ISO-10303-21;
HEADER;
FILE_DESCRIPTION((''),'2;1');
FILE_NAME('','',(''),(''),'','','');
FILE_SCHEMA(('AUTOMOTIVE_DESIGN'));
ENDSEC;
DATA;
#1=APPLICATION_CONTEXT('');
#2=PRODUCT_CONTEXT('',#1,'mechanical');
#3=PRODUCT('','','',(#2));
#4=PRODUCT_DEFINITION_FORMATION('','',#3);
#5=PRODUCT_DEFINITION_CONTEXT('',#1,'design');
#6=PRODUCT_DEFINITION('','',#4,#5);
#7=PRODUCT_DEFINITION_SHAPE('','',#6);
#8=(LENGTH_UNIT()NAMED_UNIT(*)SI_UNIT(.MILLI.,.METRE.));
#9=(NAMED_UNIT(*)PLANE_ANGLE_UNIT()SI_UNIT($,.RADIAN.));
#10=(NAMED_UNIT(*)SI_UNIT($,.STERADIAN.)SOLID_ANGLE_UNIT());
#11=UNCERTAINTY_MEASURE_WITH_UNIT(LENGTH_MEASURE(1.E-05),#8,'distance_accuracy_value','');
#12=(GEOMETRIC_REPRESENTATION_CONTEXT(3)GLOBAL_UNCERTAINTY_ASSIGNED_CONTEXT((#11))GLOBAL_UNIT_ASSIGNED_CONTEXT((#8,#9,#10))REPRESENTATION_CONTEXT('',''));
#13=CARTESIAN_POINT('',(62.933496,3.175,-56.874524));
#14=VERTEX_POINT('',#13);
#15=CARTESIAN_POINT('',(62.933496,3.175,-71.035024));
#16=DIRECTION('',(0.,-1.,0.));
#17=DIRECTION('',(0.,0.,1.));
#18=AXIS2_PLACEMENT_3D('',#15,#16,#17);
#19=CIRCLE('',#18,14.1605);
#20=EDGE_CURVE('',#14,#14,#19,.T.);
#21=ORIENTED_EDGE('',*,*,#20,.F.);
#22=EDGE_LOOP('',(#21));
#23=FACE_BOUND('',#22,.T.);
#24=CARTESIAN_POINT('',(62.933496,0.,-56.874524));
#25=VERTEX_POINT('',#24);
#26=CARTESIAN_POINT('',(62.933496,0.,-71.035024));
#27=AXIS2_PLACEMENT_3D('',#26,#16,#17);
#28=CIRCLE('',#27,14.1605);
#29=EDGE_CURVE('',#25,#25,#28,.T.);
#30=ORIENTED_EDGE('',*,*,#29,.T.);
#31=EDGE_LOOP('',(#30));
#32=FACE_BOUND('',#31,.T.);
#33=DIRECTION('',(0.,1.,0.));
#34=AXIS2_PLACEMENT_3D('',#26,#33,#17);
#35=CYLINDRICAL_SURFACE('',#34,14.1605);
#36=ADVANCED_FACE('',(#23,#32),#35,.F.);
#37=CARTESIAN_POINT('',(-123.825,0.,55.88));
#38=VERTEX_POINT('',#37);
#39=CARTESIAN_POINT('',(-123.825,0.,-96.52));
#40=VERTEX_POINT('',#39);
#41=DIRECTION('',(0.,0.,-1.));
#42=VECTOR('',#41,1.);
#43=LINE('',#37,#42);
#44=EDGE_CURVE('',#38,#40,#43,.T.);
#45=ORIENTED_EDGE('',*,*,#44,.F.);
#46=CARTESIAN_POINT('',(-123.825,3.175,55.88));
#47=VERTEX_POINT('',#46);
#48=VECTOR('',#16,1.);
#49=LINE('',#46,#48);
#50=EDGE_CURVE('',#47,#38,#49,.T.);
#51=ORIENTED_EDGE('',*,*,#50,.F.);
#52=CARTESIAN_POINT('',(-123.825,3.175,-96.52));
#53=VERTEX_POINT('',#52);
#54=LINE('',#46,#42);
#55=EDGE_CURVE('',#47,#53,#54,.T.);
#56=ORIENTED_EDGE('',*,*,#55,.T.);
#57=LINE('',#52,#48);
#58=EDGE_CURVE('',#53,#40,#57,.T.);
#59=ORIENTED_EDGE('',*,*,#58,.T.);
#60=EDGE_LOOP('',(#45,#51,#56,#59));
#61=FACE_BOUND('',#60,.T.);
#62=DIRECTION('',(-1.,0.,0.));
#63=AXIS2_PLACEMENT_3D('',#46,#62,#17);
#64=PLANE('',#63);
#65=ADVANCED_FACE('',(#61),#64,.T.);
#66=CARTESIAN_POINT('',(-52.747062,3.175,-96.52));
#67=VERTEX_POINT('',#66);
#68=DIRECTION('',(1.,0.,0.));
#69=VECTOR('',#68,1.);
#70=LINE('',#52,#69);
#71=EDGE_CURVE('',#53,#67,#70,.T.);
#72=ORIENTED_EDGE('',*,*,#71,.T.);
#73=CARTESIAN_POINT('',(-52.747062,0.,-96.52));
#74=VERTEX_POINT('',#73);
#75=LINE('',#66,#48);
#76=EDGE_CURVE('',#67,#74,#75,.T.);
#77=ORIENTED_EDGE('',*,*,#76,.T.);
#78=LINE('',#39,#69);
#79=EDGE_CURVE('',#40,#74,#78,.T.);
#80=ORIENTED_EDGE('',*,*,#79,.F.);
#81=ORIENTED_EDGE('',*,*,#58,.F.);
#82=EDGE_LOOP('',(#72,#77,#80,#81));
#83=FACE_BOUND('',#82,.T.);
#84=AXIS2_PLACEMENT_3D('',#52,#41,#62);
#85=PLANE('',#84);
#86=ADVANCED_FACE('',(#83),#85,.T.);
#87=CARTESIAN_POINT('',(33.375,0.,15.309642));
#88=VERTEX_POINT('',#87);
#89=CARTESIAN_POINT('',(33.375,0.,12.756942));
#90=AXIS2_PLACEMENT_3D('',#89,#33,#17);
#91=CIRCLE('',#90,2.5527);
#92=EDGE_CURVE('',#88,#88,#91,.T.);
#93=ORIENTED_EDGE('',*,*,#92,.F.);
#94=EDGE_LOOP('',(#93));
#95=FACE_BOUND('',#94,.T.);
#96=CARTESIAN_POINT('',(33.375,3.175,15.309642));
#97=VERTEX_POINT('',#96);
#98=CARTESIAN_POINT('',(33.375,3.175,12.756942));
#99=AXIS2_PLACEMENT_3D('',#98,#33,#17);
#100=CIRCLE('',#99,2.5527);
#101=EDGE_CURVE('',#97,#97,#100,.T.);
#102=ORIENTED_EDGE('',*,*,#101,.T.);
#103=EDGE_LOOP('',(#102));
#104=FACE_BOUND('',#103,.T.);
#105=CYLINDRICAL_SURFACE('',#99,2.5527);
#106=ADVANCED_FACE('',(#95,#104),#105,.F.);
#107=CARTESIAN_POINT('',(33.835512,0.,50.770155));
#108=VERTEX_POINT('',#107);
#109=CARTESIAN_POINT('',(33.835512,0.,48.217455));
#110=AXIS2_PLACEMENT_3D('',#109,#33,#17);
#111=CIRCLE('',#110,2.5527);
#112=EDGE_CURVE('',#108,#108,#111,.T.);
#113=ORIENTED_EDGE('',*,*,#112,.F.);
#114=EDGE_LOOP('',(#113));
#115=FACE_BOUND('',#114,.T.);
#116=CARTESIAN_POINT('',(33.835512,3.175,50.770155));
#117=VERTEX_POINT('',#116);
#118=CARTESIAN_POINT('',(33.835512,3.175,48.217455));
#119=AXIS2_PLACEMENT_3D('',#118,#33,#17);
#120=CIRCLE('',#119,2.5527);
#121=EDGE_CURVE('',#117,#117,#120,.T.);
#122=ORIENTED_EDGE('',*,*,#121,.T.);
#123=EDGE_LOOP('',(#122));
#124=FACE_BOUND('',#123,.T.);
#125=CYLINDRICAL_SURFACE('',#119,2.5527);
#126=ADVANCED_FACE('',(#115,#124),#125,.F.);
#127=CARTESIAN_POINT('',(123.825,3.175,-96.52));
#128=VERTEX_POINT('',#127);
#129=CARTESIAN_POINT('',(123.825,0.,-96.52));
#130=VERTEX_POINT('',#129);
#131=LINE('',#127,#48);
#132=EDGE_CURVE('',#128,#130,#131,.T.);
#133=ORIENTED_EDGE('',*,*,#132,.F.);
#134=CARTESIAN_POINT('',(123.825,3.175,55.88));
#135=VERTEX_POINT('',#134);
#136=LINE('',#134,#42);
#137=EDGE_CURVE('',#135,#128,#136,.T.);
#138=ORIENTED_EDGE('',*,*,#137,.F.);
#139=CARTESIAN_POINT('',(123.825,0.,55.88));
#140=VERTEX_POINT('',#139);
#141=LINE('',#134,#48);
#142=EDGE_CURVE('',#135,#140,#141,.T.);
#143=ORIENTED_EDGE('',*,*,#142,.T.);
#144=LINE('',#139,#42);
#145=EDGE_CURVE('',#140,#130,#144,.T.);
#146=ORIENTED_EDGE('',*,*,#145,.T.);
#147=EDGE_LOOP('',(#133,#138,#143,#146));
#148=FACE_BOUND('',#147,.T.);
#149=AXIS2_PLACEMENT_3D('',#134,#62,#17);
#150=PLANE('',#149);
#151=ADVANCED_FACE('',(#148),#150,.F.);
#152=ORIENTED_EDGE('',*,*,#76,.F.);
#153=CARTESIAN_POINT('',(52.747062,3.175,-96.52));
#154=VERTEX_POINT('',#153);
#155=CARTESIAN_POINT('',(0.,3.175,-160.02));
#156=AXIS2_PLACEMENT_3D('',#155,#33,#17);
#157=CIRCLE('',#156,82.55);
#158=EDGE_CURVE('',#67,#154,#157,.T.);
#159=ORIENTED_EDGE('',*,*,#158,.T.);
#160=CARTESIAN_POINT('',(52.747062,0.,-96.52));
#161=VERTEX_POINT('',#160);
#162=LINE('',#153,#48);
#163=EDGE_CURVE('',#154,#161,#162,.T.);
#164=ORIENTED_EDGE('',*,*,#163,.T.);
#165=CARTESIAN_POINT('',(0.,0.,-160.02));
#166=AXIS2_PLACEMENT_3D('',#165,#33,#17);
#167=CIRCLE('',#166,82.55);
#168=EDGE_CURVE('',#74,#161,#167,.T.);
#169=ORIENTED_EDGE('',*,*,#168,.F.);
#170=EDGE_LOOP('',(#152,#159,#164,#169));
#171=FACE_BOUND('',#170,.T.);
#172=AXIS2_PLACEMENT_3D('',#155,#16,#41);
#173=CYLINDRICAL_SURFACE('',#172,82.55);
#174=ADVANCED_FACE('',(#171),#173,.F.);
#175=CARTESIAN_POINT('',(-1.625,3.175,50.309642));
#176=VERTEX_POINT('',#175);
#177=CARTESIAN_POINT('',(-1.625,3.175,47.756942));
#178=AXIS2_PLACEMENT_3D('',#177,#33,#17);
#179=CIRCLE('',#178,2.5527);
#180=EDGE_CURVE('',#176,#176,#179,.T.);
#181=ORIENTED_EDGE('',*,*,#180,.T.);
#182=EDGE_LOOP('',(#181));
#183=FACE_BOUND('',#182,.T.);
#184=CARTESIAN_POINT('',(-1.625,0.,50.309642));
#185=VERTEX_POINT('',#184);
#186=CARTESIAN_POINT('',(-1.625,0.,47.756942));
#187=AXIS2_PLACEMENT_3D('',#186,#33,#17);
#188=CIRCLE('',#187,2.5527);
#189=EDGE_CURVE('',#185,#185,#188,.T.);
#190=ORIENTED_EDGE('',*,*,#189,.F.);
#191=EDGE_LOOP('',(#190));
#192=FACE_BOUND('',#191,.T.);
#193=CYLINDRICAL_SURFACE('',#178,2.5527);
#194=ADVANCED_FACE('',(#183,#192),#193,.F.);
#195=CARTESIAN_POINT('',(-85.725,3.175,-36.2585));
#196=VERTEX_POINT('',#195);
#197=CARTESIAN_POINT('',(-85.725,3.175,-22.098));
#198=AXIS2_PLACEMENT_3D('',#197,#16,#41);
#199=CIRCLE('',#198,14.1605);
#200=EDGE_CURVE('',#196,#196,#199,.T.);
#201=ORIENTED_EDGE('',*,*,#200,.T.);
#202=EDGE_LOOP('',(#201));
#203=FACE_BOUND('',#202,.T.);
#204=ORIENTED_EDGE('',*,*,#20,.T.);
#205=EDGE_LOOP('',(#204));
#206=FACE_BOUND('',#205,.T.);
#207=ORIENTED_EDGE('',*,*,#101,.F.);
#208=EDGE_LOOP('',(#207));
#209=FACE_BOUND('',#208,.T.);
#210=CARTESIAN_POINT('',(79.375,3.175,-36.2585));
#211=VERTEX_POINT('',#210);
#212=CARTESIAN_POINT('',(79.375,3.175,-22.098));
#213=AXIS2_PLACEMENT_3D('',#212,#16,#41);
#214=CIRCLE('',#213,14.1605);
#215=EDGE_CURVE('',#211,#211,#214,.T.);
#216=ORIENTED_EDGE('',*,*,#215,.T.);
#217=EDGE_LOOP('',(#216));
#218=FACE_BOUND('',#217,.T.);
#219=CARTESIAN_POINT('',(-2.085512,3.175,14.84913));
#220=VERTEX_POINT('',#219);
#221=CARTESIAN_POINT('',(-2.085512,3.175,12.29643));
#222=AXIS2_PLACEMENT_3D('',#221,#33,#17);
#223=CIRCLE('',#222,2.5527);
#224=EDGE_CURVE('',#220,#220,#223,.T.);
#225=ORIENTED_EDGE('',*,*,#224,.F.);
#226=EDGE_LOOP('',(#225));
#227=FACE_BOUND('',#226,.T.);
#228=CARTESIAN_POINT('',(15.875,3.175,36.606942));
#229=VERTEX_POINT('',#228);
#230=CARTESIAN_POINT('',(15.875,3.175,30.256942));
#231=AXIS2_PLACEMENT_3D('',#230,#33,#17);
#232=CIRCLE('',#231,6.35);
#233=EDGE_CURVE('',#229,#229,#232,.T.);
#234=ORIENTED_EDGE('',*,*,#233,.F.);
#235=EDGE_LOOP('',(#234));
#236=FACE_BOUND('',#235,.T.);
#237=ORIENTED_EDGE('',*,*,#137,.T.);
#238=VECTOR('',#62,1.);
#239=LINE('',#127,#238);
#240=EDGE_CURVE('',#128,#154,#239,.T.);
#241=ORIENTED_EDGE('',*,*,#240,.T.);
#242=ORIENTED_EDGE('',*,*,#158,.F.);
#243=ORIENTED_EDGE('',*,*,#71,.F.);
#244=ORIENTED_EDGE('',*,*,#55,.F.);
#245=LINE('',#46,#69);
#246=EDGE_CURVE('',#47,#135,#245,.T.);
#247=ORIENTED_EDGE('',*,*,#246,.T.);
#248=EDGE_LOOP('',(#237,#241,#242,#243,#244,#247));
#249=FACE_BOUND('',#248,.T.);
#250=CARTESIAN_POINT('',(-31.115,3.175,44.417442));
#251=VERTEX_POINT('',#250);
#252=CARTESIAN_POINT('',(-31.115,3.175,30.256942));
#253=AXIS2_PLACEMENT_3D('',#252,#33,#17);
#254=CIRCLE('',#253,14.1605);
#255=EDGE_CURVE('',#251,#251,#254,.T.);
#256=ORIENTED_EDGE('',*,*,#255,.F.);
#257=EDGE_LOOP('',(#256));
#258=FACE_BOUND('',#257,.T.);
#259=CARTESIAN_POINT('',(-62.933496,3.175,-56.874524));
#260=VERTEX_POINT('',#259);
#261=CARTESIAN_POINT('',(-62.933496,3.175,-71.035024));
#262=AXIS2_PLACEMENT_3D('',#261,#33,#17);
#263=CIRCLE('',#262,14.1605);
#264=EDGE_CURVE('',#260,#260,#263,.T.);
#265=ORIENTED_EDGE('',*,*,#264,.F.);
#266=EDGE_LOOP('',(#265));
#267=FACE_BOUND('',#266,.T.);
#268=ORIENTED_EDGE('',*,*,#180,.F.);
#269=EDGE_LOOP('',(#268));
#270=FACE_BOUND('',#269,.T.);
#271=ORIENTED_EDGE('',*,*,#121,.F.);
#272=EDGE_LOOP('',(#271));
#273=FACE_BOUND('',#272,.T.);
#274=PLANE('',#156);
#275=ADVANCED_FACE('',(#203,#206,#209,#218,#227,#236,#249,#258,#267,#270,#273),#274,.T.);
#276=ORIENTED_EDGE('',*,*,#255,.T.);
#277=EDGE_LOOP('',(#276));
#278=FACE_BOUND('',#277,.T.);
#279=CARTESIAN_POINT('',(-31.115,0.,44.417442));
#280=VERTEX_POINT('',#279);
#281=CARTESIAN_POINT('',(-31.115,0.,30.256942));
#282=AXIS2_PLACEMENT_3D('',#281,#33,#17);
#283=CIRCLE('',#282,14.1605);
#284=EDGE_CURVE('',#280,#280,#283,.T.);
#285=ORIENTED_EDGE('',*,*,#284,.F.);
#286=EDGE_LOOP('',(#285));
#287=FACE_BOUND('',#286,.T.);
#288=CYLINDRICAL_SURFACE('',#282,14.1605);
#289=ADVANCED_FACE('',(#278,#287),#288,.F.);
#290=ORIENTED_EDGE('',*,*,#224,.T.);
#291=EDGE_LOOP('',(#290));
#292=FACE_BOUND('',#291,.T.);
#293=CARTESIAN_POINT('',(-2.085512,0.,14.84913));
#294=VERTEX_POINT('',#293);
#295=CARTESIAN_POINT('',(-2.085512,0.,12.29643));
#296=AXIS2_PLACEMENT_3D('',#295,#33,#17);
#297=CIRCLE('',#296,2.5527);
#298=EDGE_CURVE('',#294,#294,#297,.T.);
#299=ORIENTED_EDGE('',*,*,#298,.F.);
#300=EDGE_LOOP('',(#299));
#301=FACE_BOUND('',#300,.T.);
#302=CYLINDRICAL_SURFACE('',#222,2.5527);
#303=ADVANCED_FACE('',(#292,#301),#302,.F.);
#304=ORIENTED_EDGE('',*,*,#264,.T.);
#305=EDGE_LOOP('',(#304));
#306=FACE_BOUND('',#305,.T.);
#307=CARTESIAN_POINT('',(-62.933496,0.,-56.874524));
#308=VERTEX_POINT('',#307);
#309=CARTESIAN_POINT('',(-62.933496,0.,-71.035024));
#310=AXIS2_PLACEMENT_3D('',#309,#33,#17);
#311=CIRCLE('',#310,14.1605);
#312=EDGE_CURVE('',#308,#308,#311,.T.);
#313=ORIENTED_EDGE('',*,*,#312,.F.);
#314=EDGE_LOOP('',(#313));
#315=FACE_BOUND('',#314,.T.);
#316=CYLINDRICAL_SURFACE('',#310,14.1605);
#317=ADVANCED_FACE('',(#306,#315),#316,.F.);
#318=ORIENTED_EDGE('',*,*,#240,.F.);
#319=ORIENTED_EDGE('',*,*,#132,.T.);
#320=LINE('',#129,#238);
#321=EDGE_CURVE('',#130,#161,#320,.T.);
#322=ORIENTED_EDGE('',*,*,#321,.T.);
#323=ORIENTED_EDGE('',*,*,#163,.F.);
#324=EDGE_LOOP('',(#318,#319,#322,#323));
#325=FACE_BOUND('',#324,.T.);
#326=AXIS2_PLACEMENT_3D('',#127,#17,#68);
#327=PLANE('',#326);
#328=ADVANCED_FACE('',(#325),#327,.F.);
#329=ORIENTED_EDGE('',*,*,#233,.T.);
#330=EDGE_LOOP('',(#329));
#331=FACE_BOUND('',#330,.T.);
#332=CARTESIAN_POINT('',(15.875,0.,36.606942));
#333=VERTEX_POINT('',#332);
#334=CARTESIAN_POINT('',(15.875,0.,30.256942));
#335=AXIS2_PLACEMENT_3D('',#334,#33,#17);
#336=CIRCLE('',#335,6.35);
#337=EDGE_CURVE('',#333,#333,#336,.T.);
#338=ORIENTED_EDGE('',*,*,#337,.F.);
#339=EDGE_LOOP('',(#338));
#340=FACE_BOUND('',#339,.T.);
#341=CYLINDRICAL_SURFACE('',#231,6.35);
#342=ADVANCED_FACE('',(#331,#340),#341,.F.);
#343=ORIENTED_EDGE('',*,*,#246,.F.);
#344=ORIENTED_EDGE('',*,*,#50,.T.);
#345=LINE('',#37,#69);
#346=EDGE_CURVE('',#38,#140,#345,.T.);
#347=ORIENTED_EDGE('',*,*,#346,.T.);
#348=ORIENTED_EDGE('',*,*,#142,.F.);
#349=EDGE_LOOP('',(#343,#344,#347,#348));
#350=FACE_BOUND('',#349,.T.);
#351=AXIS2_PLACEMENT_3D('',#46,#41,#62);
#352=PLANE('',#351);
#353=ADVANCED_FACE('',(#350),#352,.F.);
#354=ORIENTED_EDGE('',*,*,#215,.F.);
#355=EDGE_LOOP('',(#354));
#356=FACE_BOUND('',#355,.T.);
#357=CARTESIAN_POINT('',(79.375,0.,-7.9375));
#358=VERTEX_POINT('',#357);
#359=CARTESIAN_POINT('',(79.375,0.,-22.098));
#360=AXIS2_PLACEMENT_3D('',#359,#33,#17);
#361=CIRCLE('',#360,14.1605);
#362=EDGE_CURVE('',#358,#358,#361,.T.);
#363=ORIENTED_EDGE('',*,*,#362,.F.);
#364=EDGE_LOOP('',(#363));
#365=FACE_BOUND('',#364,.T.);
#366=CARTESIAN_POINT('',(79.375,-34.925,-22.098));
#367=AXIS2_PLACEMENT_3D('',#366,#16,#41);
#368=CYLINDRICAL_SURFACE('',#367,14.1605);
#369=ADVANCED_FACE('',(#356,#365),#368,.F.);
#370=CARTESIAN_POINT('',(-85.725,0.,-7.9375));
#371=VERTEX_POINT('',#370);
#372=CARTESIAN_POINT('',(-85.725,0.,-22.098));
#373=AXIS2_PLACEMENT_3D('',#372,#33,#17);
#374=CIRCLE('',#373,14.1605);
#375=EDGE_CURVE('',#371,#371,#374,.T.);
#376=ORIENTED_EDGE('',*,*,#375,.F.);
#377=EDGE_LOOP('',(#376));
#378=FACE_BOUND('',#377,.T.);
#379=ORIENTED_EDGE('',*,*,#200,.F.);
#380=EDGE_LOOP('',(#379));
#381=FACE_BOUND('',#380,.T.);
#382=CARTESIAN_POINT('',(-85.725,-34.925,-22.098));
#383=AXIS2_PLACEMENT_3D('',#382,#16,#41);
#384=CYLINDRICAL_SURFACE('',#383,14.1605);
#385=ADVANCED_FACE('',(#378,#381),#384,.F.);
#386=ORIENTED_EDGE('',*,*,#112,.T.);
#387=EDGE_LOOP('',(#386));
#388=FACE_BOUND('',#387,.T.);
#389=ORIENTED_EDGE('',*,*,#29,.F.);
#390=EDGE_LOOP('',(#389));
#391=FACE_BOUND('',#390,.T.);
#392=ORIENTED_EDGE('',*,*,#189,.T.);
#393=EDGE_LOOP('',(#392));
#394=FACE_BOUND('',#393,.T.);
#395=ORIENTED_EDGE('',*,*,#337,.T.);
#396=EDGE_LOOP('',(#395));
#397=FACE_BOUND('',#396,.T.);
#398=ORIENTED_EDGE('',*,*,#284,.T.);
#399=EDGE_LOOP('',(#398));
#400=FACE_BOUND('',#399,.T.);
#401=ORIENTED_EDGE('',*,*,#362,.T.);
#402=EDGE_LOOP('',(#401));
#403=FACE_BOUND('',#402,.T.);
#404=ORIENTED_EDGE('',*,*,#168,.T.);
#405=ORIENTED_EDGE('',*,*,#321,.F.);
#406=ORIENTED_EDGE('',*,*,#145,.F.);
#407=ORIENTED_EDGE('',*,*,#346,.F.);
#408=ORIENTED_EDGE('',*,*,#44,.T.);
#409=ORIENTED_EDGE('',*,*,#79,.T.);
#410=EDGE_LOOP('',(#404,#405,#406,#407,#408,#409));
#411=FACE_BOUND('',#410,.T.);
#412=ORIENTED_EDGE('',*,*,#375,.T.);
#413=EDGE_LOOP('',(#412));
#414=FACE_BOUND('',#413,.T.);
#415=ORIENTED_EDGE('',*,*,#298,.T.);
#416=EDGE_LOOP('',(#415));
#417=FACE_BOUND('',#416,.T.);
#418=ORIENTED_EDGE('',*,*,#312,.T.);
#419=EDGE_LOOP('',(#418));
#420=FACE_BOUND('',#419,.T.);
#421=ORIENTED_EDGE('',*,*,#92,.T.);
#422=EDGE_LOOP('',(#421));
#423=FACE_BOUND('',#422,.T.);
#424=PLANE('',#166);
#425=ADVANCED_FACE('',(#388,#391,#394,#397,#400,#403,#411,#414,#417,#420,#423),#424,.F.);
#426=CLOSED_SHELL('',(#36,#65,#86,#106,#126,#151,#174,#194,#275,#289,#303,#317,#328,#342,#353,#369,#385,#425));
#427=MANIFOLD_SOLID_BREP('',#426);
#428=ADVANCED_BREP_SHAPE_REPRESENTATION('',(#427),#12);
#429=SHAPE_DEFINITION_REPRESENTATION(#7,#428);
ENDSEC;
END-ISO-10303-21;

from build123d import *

# Parameters (mm, degrees)
BOSS_EXTRUDE1_DEPTH     = 3.175
F_1_0_5_DOWEL_HOLE1_D   = 12.7
F_10_CLEARANCE_HOLE1_D  = 5.1054
F_1_1_115_DOWEL_HOLE3_D = 28.321
SKETCH11_R              = 14.1605
CUT_EXTRUDE1_DEPTH      = 158.031276025
SKETCH12_R              = 14.1605
CUT_EXTRUDE2_DEPTH      = 158.031276025


with BuildPart() as part:
    # Sketch1 → Boss-Extrude1 (new body)
    with BuildSketch(Plane(origin=(0, 0, 0), x_dir=(1, 0, 0), z_dir=(0, 1, 0))):
        with BuildLine():
            Line((-123.825, -55.88), (123.825, -55.88))
            Line((123.825, -55.88), (123.825, 96.52))
            Line((123.825, 96.52), (52.74706153, 96.52))
            ThreePointArc((52.74706153, 96.52), (0, 77.47), (-52.74706153, 96.52))
            Line((-52.74706153, 96.52), (-123.825, 96.52))
            Line((-123.825, 96.52), (-123.825, -55.88))
        make_face()
    extrude(amount=BOSS_EXTRUDE1_DEPTH)

    # 1 (0.5) Dowel Hole1 (through all)
    with Locations(Plane(origin=(0, 3.175, 0), x_dir=(1, 0, 0), z_dir=(0, 1, 0))):
        with Locations((15.875, -30.256942448)):
            Hole(F_1_0_5_DOWEL_HOLE1_D / 2)

    # #10 Clearance Hole1 (through all)
    with Locations(Plane(origin=(0, 3.175, 0), x_dir=(1, 0, 0), z_dir=(0, 1, 0))):
        with Locations((-1.625, -47.756942448), (33.375, -12.756942448), (-2.085512242, -12.296430205), (33.835512242, -48.21745469)):
            Hole(F_10_CLEARANCE_HOLE1_D / 2)

    # 1 (1.115) Dowel Hole3 (through all)
    with Locations(Plane(origin=(-3.175, -34.925, 0), x_dir=(-1, 0, 0), z_dir=(0, -1, 0))):
        with Locations((82.55, 22.098), (-82.55, 22.098)):
            Hole(F_1_1_115_DOWEL_HOLE3_D / 2)

    # Sketch11 → Cut-Extrude1 (cut, through all)
    with BuildSketch(Plane(origin=(0, 3.175, 0), x_dir=(1, 0, 0), z_dir=(0, 1, 0))):
        with Locations(Location((-31.115, -30.256942448, 0), (0, 0, 270))):
            Circle(SKETCH11_R)
    extrude(amount=-CUT_EXTRUDE1_DEPTH, mode=Mode.SUBTRACT)

    # Sketch12 → Cut-Extrude2 (cut, through all)
    with BuildSketch(Plane(origin=(0, 3.175, 0), x_dir=(1, 0, 0), z_dir=(0, 1, 0))):
        with Locations(Location((-62.933495539, 71.035024331, 0), (0, 0, 270))):
            Circle(SKETCH12_R)
    cut_extrude2 = extrude(amount=-CUT_EXTRUDE2_DEPTH, mode=Mode.SUBTRACT)

    # Mirror2: Cut-Extrude2 across plane
    add(cut_extrude2.mirror(Plane(origin=(0, 0, 0), x_dir=(0, 0, 1), z_dir=(1, 0, 0))), mode=Mode.SUBTRACT)


solid = part.part
